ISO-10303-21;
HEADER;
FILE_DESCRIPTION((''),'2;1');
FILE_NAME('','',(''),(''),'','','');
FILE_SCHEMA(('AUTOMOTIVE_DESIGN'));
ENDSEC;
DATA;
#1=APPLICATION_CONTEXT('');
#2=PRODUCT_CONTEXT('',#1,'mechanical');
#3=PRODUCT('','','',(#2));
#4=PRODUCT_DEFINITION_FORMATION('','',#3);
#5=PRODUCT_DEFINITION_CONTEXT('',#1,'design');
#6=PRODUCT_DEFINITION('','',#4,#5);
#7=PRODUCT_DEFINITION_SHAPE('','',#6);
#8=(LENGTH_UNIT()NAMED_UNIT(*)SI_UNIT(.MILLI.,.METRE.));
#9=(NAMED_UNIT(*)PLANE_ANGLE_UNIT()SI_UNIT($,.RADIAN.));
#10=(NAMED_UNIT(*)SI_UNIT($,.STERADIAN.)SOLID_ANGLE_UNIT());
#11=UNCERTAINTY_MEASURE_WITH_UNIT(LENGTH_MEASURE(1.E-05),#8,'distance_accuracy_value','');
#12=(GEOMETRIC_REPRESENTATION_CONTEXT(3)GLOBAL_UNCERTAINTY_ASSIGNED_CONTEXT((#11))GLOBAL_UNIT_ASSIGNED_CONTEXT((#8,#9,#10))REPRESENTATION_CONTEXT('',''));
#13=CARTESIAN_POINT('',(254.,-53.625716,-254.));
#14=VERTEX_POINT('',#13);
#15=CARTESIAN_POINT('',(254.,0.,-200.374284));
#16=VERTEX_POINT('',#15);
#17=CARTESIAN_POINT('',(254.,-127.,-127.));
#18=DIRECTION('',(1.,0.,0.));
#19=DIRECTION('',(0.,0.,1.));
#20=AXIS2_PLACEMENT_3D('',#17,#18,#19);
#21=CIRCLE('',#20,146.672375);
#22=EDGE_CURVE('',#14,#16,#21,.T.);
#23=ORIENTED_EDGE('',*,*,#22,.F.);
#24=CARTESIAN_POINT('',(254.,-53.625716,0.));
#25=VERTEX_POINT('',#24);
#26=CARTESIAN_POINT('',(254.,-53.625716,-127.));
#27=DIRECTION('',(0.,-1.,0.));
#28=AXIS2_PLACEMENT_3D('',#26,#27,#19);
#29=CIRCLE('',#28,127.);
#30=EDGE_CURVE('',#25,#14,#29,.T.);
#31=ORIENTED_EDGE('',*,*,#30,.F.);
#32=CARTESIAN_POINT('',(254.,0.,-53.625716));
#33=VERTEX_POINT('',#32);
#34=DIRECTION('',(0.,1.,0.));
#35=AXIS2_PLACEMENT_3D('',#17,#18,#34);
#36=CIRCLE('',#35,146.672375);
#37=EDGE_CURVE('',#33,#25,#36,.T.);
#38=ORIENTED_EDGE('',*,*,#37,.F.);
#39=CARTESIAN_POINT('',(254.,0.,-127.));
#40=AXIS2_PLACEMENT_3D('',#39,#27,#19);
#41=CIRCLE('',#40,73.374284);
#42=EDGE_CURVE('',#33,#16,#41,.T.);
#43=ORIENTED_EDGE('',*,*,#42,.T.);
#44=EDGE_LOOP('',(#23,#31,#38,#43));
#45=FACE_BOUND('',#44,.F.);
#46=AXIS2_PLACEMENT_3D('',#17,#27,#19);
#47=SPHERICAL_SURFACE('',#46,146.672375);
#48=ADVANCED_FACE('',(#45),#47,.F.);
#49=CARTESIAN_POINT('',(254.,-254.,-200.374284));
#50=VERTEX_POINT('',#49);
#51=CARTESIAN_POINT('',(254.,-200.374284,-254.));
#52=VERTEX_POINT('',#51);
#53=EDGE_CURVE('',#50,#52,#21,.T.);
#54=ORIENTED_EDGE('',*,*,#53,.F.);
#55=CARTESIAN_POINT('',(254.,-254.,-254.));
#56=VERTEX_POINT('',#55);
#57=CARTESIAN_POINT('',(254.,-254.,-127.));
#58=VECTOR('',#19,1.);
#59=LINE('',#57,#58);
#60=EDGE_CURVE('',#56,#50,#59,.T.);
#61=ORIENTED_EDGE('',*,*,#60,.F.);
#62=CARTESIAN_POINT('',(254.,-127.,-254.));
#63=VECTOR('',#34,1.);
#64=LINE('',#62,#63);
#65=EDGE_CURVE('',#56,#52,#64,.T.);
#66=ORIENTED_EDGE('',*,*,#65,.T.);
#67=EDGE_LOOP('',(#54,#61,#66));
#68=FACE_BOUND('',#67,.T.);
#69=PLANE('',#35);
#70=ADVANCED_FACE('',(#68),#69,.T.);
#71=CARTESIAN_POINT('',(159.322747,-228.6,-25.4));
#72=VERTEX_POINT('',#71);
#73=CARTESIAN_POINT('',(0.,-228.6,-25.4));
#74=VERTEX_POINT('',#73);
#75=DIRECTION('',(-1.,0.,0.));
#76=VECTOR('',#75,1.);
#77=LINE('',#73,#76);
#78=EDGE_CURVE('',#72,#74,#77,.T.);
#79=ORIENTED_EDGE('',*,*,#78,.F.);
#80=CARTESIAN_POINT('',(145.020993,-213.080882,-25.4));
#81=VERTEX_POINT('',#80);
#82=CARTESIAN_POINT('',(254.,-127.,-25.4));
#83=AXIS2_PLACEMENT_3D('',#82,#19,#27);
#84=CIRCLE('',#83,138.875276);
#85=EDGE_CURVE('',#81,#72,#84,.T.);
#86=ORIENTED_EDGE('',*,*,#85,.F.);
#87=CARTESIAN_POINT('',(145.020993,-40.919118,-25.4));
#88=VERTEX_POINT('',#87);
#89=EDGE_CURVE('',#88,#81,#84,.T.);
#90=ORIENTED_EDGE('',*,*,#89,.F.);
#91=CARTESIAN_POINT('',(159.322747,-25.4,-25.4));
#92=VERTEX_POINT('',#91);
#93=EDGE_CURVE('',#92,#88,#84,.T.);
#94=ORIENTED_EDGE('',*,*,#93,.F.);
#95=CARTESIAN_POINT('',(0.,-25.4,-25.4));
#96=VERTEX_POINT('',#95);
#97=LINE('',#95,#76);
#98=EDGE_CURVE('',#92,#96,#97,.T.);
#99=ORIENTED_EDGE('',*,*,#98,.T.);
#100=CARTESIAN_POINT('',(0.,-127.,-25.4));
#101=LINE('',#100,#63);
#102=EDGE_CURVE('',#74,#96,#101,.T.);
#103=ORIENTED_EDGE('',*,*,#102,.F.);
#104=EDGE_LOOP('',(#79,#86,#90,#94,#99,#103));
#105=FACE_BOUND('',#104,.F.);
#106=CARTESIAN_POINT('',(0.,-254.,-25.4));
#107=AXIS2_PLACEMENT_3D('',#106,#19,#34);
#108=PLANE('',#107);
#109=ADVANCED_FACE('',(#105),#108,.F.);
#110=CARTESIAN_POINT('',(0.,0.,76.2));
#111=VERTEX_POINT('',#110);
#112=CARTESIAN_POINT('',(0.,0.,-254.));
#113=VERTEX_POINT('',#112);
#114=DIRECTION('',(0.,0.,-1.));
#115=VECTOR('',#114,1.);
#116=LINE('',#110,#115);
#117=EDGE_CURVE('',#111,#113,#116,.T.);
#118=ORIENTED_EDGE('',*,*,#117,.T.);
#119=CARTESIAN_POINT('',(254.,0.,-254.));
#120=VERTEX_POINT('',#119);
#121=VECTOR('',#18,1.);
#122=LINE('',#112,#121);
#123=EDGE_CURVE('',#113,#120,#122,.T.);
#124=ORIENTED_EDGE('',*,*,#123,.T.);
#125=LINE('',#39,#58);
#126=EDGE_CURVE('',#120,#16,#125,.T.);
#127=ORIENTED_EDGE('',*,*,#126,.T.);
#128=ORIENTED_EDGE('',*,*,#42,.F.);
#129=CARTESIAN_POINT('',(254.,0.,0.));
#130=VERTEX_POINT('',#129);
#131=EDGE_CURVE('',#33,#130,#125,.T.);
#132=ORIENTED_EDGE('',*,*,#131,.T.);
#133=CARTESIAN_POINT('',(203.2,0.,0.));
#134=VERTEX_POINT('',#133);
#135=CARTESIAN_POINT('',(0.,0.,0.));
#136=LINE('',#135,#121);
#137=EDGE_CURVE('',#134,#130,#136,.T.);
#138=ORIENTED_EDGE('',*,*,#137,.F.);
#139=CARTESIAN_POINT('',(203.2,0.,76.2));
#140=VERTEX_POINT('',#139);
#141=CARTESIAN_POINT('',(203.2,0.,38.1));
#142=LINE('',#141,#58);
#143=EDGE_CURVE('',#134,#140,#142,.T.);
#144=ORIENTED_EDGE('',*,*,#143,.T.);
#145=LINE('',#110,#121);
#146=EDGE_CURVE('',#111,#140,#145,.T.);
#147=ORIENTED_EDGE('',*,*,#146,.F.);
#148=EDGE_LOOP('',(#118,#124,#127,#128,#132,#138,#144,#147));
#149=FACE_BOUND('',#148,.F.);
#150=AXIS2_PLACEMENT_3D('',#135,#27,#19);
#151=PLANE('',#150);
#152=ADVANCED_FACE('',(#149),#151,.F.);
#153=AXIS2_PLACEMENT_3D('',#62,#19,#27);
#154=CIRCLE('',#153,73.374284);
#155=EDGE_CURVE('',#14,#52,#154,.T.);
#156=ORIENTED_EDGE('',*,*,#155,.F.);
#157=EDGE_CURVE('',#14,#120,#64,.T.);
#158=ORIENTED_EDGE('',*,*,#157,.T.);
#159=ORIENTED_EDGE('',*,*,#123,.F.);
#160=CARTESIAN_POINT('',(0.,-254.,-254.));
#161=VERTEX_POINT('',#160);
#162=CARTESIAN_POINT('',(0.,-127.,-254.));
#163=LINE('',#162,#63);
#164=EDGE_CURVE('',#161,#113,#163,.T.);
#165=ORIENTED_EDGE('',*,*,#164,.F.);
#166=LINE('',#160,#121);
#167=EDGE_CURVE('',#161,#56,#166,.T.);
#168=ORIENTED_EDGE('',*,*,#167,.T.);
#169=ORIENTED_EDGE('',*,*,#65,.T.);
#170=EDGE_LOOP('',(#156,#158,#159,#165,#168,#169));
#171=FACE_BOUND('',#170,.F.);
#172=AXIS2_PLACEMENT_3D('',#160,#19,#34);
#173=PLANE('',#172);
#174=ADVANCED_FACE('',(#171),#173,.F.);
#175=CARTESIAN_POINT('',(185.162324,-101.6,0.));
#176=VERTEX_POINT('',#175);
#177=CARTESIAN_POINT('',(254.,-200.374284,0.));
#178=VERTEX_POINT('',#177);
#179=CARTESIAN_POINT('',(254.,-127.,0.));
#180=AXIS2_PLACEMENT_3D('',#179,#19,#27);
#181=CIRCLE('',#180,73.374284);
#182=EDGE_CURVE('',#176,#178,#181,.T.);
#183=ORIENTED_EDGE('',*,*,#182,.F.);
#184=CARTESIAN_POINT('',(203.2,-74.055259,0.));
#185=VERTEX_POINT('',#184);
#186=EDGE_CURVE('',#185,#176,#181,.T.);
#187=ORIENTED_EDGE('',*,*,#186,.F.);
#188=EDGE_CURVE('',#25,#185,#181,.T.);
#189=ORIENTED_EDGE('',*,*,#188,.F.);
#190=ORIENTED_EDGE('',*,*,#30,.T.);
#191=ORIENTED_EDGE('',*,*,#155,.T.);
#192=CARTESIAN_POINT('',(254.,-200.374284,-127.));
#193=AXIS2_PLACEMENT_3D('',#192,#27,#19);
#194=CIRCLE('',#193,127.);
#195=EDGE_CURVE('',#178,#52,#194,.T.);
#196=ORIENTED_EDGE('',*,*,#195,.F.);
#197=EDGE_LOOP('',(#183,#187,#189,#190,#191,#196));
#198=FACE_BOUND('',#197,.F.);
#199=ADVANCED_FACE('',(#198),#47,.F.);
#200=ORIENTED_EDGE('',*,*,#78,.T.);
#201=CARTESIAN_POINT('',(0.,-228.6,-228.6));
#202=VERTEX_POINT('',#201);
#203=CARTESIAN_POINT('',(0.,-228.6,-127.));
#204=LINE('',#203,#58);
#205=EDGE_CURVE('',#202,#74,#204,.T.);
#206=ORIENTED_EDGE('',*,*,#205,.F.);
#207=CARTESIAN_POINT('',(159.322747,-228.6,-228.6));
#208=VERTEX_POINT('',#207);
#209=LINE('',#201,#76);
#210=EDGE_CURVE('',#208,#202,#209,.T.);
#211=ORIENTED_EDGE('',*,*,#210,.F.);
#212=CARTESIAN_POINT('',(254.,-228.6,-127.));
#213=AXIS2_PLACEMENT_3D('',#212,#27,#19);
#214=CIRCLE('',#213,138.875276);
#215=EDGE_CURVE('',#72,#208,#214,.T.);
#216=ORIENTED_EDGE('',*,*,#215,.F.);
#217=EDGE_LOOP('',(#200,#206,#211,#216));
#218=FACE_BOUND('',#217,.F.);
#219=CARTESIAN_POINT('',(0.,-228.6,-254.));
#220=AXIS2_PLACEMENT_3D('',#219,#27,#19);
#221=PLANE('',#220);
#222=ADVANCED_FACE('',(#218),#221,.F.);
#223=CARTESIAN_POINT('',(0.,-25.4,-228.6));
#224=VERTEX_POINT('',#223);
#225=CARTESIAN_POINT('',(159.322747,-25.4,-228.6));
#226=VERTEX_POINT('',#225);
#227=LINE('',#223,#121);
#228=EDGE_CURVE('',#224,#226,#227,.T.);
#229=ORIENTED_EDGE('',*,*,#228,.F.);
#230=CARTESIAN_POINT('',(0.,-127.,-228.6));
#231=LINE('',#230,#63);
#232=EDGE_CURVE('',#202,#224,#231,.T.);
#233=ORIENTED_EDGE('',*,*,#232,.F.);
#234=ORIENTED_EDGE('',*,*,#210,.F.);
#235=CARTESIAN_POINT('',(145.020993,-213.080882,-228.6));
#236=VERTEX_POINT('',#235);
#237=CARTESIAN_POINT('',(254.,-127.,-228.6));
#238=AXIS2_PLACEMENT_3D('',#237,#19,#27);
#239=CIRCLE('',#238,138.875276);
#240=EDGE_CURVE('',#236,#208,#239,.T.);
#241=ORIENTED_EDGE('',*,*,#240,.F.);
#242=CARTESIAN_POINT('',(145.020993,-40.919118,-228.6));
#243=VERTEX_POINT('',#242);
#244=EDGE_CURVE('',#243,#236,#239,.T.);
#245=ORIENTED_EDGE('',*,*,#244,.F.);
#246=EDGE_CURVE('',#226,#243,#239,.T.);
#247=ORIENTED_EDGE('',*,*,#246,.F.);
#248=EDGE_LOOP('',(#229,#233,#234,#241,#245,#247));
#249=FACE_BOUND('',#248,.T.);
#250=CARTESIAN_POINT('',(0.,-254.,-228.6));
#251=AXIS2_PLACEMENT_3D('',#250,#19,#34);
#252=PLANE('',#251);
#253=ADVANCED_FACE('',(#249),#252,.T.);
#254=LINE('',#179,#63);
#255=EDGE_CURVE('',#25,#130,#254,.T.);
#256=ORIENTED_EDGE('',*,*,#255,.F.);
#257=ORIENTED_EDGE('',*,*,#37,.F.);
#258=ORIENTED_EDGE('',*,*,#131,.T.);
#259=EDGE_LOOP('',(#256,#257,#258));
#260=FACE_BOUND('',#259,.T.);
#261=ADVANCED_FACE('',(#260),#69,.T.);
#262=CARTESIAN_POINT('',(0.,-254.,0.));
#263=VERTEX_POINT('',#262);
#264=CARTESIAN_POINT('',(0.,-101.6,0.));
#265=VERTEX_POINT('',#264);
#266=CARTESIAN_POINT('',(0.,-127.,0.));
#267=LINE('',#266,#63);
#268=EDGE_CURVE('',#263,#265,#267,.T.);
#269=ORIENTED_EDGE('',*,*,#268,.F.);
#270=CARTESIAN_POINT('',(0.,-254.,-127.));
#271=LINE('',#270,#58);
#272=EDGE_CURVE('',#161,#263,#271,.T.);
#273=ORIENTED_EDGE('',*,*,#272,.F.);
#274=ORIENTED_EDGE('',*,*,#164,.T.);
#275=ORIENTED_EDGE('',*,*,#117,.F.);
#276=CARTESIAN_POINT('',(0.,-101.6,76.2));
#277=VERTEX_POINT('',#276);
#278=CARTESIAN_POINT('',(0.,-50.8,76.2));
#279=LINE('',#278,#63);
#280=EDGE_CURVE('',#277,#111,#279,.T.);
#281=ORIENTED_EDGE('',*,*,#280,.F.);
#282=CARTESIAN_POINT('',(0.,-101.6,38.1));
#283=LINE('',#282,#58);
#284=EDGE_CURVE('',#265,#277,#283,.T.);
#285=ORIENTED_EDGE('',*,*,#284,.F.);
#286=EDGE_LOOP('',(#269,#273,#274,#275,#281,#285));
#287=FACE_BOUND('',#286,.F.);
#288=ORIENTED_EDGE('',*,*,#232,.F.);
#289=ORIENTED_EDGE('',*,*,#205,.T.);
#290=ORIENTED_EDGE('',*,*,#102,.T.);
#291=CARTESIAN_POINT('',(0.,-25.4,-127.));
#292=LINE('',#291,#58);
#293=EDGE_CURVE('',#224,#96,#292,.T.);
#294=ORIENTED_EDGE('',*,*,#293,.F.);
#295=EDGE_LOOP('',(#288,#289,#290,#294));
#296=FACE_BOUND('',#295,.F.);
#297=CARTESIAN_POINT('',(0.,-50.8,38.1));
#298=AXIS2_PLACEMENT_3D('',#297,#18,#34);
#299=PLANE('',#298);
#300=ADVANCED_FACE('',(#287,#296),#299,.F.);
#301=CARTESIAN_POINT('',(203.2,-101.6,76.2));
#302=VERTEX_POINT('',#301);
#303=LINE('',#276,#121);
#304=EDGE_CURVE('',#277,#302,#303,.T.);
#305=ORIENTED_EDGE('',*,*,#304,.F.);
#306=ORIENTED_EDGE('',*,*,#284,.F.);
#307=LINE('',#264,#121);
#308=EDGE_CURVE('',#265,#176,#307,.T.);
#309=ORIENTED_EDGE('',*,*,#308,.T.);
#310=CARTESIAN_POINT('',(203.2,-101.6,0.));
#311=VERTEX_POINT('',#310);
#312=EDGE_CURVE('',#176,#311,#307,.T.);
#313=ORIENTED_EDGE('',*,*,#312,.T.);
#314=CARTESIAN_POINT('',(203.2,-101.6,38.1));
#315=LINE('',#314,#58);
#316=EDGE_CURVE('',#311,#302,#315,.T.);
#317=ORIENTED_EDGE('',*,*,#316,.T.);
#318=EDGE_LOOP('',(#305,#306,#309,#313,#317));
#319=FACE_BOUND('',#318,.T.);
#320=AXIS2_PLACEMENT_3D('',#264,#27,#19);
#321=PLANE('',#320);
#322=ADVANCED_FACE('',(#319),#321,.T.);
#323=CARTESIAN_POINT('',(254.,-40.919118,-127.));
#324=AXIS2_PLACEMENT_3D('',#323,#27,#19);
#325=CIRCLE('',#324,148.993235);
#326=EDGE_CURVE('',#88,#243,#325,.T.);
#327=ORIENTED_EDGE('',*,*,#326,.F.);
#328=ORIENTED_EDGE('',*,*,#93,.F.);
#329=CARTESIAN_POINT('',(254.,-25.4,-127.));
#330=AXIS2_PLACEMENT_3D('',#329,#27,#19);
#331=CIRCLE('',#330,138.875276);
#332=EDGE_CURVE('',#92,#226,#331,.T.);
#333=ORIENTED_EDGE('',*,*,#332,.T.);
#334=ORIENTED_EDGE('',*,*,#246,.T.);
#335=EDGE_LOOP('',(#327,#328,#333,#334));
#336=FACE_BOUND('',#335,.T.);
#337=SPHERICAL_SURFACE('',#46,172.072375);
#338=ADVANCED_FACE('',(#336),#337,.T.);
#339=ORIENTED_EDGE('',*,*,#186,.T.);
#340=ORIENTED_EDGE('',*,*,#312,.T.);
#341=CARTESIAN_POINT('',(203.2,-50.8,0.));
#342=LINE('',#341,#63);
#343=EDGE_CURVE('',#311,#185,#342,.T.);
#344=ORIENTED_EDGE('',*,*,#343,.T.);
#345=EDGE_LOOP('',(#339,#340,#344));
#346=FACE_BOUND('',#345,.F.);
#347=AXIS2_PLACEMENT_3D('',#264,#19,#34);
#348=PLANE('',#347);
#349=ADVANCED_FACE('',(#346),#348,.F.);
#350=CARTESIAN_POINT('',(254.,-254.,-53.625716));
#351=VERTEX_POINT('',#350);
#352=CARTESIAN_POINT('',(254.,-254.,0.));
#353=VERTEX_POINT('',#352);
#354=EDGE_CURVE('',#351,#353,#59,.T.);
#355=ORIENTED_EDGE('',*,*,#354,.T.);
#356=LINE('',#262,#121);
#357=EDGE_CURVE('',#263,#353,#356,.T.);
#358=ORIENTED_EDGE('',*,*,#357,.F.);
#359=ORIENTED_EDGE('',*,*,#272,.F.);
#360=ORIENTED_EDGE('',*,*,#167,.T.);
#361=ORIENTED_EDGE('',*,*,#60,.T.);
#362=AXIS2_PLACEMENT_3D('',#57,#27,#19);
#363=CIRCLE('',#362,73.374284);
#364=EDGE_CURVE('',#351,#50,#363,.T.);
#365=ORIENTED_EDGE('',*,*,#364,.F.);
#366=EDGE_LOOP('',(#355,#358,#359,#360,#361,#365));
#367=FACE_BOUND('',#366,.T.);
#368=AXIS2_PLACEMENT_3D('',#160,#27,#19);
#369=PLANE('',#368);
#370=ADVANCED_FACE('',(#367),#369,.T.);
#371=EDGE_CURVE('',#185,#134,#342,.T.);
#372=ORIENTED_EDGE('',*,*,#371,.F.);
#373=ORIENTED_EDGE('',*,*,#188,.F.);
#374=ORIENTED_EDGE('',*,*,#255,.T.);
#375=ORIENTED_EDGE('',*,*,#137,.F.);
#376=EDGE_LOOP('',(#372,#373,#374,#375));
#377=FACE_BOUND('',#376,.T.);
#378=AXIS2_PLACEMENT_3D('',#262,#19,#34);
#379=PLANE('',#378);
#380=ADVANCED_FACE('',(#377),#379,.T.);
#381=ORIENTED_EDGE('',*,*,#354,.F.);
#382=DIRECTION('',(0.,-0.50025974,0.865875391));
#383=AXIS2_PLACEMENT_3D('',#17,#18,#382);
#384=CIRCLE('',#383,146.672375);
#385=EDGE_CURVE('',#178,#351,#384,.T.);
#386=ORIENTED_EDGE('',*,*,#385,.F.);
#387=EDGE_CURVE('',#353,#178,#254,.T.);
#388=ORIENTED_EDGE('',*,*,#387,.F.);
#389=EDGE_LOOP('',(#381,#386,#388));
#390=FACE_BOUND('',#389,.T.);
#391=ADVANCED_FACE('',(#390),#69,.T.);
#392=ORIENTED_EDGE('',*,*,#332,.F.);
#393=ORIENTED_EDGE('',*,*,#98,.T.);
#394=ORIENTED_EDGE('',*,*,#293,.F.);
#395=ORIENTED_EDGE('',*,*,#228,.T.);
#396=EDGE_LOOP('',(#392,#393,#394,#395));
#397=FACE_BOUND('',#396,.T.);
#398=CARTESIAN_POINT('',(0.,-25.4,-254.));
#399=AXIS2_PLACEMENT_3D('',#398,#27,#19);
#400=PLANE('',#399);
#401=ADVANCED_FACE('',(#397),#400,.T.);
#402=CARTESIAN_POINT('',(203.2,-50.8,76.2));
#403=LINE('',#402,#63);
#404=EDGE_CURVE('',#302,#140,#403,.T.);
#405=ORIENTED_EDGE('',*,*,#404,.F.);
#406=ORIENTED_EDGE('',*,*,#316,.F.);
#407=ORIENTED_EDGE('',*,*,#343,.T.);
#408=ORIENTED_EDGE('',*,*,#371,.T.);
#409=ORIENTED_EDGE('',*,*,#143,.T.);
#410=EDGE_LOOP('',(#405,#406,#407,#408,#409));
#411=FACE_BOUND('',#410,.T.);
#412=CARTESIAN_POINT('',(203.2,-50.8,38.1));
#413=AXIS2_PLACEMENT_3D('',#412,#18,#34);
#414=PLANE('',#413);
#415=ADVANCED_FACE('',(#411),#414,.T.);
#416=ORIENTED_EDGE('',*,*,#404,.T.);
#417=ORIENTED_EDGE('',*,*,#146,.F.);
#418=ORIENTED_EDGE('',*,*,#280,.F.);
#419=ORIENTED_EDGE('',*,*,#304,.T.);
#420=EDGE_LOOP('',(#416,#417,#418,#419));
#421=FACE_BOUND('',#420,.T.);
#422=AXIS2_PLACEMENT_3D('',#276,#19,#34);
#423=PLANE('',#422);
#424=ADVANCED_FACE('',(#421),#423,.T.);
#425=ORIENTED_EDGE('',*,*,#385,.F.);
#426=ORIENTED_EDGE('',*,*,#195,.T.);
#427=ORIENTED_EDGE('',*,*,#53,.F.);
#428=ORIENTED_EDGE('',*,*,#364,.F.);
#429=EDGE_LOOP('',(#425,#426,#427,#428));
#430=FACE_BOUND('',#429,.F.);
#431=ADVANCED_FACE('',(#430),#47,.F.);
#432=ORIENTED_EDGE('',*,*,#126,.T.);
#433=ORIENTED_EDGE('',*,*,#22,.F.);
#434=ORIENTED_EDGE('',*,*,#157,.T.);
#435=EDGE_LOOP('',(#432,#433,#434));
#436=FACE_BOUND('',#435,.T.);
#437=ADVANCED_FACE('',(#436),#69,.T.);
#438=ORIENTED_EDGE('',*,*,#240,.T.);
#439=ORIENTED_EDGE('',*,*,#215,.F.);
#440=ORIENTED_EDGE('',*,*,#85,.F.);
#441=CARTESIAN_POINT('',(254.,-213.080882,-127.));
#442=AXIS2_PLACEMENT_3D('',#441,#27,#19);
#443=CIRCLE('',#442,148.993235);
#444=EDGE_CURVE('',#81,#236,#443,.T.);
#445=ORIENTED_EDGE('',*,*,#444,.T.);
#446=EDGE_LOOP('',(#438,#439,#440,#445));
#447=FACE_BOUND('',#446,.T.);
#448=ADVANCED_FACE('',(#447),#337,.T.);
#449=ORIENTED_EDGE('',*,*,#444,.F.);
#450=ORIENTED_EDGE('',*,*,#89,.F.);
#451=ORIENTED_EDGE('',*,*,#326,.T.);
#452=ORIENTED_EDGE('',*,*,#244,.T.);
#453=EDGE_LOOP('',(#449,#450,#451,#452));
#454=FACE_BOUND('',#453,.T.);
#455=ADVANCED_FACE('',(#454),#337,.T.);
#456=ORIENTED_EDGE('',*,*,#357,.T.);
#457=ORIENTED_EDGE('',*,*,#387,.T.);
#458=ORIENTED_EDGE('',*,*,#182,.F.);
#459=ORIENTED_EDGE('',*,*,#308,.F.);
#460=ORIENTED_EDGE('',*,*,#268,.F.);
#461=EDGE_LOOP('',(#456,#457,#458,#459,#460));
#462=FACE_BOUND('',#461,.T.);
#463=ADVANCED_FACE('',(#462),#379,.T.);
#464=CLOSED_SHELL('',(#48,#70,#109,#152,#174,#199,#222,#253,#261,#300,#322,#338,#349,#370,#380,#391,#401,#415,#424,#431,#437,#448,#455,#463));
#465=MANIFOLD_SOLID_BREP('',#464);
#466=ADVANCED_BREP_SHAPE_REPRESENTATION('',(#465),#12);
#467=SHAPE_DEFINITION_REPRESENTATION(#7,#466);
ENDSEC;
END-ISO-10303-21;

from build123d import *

# Parameters (mm, degrees)
F0_W     = 254
F0_H     = 254
F1_DEPTH = 254
F4_T     = -25.4
F7_W     = 101.6
F7_H     = 76.2
F5_DEPTH = 203.2


with BuildPart() as f1:
    # F0 (on Right) → F1 (new body)
    with BuildSketch(Plane.YZ):
        with Locations((-127, -127)):
            Rectangle(F0_W, F0_H)
    extrude(amount=F1_DEPTH)

    # F2 (on face) → F3 (revolve, cut)
    with BuildSketch(Plane.YZ.offset(254)):
        with BuildLine():
            Line((-200.374284178, 0), (-53.625715822, 0))
            ThreePointArc((-53.625715822, 0), (-127, 19.6723749676), (-200.374284178, 0))
        make_face()
        with BuildLine():
            Line((0, -127), (0, -53.625715822))
            ThreePointArc((0, -53.625715822), (-23.2869690477, -23.2869690477), (-53.625715822, 0))
            Line((-53.625715822, 0), (-200.374284178, 0))
            ThreePointArc((-200.374284178, 0), (-230.7130309523, -23.2869690477), (-254, -53.625715822))
            Line((-254, -53.625715822), (-254, -127))
            Line((-254, -127), (0, -127))
        make_face()
        with BuildLine():
            Line((0, -127), (19.6723749676, -127))
            ThreePointArc((19.6723749676, -127), (14.6689401378, -89.0171488843), (0, -53.625715822))
            Line((0, -53.625715822), (0, -127))
        make_face()
        with BuildLine():
            Line((-273.6723749676, -127), (-254, -127))
            Line((-254, -127), (-254, -53.625715822))
            ThreePointArc((-254, -53.625715822), (-268.6689401378, -89.0171488843), (-273.6723749676, -127))
        make_face()
    revolve(axis=Axis((254, -127, -127), (0, -1, 0)), mode=Mode.SUBTRACT)

    # F4
    f4_openings = [f1.faces().sort_by_distance(p)[0] for p in [
        (0, -127, -127),
    ]]
    offset(amount=F4_T, openings=f4_openings)

    # F7 (on Right) → F5 (join)
    with BuildSketch(Plane.YZ):
        with Locations((-50.8, 38.1)):
            Rectangle(F7_W, F7_H)
    extrude(amount=F5_DEPTH)


solid = f1.part
